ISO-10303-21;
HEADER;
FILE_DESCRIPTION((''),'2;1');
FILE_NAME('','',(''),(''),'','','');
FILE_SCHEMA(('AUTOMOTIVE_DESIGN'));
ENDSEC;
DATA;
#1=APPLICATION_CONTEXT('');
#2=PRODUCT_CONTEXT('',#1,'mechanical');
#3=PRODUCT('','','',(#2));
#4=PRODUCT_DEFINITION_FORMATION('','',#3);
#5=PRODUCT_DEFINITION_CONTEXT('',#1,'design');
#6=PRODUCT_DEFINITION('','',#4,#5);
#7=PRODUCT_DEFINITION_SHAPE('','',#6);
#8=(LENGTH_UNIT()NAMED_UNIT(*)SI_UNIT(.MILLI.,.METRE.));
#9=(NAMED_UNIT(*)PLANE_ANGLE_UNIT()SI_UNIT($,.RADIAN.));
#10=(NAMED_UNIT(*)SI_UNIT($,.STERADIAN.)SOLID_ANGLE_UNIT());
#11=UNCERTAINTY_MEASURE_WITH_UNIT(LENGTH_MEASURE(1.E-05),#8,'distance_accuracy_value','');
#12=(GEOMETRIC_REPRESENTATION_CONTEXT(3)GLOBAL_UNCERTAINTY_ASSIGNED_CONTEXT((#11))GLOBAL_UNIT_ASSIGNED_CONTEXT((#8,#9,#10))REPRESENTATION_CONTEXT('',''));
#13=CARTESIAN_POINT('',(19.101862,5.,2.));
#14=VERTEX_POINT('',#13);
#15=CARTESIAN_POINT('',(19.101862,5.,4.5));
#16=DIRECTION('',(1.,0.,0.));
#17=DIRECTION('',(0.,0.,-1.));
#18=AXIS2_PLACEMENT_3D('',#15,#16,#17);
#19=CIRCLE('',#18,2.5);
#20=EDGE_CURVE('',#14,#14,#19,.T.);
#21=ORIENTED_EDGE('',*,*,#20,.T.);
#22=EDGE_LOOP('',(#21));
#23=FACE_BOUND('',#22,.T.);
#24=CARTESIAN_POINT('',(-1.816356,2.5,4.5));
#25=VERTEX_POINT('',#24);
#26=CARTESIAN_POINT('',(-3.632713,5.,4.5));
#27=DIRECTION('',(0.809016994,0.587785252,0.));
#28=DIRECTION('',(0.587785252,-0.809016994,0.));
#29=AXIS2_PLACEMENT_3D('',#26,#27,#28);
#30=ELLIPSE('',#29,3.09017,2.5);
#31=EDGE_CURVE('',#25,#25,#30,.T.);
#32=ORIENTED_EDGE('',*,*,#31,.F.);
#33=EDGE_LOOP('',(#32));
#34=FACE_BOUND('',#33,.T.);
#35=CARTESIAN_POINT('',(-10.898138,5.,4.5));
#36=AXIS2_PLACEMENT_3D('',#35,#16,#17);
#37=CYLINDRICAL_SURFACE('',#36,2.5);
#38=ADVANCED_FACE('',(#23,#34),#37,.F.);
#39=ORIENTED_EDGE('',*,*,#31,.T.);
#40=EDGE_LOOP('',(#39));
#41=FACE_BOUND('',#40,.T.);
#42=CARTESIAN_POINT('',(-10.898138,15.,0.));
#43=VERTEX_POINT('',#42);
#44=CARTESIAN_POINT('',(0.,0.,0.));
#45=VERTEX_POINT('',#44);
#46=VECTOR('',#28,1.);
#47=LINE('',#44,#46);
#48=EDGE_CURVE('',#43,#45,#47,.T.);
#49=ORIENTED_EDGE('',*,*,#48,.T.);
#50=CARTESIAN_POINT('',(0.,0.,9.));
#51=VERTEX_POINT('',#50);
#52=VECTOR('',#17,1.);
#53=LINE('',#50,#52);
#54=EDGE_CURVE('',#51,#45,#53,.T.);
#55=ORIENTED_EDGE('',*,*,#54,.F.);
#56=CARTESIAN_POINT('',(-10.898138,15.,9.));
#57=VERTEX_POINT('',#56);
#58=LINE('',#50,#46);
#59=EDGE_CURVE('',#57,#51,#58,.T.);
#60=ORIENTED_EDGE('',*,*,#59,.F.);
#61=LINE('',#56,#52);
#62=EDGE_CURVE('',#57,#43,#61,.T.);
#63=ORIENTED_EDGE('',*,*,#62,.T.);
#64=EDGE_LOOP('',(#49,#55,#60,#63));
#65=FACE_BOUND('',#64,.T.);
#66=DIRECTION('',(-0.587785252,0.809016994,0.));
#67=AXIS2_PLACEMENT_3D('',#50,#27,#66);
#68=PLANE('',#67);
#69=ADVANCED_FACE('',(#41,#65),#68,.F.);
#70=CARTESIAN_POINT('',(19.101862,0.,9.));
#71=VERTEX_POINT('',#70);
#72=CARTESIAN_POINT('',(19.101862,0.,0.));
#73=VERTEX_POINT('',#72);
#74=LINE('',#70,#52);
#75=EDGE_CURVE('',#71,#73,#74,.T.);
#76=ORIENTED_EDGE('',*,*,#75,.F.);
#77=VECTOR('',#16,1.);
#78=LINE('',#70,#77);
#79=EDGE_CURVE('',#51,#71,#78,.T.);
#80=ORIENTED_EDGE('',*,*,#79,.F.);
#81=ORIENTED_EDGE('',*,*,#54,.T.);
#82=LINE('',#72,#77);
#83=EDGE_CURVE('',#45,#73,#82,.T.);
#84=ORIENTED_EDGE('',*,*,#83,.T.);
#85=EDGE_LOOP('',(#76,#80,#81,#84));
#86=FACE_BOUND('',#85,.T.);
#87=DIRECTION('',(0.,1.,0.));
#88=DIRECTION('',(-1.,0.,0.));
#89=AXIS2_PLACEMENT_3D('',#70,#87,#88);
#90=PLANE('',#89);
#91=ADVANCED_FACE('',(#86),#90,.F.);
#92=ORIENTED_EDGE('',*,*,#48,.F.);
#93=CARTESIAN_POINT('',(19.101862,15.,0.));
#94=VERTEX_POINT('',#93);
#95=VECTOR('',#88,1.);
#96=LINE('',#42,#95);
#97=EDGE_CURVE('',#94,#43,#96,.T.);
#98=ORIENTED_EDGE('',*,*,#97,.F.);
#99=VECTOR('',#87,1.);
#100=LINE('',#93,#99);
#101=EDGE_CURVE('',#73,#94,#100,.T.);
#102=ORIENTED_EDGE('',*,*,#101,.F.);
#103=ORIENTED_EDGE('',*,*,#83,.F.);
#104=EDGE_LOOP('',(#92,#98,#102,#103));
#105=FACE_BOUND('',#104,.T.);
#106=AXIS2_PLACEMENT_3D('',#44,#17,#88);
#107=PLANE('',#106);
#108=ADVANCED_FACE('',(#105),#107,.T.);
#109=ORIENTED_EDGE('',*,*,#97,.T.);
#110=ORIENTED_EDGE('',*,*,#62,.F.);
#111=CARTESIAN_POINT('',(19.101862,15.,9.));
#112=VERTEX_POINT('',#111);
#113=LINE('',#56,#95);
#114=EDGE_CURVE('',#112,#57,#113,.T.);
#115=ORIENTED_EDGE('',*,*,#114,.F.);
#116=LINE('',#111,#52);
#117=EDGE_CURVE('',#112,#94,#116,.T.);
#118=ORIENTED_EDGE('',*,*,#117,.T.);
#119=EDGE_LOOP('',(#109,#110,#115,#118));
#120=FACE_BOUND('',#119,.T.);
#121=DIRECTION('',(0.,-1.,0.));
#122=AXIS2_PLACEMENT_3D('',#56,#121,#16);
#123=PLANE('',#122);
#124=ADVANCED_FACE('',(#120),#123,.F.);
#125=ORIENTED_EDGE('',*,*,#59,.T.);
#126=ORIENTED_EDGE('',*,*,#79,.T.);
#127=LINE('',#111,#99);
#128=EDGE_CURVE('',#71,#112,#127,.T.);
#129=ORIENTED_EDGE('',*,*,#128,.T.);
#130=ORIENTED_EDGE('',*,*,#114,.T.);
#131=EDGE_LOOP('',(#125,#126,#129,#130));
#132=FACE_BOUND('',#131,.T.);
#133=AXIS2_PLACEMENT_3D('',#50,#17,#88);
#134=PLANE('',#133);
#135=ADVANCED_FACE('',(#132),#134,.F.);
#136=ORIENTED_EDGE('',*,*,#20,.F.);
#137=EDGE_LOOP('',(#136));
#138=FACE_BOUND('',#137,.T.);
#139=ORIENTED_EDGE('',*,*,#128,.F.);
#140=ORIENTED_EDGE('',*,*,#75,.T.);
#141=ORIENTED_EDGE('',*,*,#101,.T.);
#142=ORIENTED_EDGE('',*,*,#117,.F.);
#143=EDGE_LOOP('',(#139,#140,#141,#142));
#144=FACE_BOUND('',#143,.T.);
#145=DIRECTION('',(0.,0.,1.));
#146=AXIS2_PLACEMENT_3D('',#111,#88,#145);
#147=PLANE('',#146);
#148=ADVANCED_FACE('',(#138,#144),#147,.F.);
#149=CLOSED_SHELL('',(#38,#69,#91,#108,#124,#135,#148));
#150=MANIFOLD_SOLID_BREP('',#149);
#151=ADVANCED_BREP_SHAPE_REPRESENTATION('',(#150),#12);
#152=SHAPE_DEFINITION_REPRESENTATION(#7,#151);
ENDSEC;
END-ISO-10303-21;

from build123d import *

# Parameters (mm, degrees)
EXTRUDE_1_DEPTH     = 9
SKETCH_2_R          = 2.5
CUT_EXTRUDE_1_DEPTH = 30


with BuildPart() as part:
    # 草图1 → 凸台-拉伸1 (new body)
    with BuildSketch(Plane.XY):
        Polygon((19.10186208, 0), (0, 0), (-10.89813792, 15), (19.10186208, 15), align=None)
    extrude(amount=EXTRUDE_1_DEPTH)

    # 草图2 → 切除-拉伸1 (cut)
    with BuildSketch(Plane(origin=(19.10186208, 0, 0), x_dir=(0, 0, -1), z_dir=(1, 0, 0))):
        with Locations((-4.5, 5)):
            Circle(SKETCH_2_R)
    extrude(amount=-CUT_EXTRUDE_1_DEPTH, mode=Mode.SUBTRACT)


solid = part.part
